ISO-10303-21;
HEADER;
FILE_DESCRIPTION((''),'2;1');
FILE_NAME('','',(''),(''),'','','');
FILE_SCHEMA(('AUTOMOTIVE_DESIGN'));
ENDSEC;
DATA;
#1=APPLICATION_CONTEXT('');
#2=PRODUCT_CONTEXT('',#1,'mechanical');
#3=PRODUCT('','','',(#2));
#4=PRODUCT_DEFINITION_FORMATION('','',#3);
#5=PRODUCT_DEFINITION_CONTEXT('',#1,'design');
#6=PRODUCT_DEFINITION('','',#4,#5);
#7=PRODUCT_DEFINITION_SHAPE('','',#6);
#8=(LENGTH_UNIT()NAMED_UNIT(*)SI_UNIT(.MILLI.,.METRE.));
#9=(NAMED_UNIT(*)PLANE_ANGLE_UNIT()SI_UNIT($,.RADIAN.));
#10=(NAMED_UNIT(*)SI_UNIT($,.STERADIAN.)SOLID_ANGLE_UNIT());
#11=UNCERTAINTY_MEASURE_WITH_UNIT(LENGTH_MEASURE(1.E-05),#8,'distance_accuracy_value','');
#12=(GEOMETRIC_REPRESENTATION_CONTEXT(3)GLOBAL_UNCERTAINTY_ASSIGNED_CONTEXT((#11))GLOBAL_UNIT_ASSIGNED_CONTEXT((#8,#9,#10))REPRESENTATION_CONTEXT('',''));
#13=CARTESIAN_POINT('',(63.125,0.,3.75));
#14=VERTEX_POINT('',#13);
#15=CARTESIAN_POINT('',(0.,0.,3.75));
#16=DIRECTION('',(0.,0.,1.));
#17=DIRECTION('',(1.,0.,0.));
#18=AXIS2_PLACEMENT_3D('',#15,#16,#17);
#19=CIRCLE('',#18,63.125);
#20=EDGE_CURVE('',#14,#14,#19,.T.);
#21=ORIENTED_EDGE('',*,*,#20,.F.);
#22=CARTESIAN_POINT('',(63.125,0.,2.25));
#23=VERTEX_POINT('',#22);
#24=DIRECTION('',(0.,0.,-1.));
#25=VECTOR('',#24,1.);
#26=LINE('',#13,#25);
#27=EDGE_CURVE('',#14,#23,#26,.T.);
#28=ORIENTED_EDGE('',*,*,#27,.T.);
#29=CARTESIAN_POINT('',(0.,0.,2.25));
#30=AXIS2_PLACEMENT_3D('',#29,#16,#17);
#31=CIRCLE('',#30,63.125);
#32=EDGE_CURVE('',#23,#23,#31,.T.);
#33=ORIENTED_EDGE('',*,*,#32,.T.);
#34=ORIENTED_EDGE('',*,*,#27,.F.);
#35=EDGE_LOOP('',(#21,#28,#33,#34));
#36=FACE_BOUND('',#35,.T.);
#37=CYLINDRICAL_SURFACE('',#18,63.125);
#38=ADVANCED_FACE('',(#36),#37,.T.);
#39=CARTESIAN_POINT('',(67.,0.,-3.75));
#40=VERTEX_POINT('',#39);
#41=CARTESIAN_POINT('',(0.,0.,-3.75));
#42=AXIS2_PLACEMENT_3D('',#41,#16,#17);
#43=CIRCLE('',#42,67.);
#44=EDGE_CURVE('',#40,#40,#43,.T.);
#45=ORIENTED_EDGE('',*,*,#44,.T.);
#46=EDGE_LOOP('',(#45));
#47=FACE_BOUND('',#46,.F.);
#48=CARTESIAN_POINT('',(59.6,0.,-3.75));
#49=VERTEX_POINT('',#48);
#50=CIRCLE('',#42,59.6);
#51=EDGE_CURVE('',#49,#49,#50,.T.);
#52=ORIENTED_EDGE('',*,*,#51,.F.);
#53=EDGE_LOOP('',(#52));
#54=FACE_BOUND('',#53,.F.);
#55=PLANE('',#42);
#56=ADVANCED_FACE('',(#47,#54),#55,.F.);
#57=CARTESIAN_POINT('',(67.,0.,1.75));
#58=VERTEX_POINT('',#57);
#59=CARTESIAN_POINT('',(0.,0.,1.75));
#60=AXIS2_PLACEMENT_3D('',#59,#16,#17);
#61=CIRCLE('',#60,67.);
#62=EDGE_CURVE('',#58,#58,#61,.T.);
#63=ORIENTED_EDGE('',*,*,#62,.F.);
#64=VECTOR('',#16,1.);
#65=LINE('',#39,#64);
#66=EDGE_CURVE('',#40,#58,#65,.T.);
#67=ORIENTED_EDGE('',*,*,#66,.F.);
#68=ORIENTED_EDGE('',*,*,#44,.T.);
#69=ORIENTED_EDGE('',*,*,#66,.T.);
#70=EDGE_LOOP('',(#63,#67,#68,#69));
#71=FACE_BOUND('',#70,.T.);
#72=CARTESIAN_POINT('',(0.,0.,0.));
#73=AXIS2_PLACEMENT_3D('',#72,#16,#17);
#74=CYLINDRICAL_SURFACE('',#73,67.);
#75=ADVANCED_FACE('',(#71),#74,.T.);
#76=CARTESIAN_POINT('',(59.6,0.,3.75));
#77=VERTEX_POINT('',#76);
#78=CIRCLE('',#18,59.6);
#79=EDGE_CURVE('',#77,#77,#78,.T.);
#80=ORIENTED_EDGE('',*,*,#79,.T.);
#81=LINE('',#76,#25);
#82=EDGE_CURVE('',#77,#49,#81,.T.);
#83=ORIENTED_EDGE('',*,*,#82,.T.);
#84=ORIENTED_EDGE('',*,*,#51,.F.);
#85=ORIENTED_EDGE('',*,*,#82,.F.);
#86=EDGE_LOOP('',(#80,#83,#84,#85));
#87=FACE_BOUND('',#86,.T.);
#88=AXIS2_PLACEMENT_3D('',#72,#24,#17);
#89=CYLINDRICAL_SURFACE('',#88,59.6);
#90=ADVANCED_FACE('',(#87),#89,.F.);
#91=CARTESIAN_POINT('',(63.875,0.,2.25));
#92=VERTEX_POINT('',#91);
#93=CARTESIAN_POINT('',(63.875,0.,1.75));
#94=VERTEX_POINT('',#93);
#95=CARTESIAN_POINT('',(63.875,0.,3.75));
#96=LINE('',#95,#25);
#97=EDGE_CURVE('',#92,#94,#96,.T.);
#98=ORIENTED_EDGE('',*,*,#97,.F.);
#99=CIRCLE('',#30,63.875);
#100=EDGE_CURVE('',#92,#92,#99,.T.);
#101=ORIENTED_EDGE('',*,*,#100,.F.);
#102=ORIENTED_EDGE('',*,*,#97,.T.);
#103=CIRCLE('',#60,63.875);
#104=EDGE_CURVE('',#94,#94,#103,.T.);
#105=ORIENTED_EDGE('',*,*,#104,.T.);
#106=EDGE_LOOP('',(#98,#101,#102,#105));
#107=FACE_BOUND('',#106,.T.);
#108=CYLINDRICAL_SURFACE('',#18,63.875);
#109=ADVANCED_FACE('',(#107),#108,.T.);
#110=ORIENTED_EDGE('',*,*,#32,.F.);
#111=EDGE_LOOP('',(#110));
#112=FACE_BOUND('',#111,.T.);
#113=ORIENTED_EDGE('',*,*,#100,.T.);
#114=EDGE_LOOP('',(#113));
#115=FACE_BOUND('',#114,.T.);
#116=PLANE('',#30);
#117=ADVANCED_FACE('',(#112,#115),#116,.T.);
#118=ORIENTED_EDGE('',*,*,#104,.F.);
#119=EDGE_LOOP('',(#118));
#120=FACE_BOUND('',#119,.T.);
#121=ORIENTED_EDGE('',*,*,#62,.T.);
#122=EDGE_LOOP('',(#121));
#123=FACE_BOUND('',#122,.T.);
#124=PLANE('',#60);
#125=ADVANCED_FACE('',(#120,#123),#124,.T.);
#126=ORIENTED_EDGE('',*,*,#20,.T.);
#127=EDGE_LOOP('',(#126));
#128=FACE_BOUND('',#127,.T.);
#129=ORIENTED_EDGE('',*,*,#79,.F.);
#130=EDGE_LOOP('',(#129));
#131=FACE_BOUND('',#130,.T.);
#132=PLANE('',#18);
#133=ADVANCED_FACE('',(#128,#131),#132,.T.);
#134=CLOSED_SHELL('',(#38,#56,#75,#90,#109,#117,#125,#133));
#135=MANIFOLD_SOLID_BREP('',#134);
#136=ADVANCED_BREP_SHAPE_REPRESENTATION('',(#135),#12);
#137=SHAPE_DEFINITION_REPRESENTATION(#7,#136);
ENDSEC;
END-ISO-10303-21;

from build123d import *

# Parameters (mm, degrees)
F0_R        = 67
F0_R_2      = 59.6
F1_DEPTH    = 3.75
F2_R        = 63.875
F2_R_2      = 63.125
F3_DEPTH    = 1.5
F3_FACE_R   = 67
F3_FACE_R_2 = 63.875
F4_DEPTH    = 2


with BuildPart() as f1:
    # F0 (on Top) → F1 (new body, symmetric)
    with BuildSketch(Plane.XY):
        Circle(F0_R)
        Circle(F0_R_2, mode=Mode.SUBTRACT)
    extrude(amount=F1_DEPTH, both=True)

    # F2 (on face) → F3 (cut)
    with BuildSketch(Plane.XY.offset(3.75)):
        Circle(F2_R)
        Circle(F2_R_2, mode=Mode.SUBTRACT)
    extrude(amount=-F3_DEPTH, mode=Mode.SUBTRACT)

    # F3_face (on face) → F4 (cut)
    with BuildSketch(Plane.XY.offset(3.75)):
        Circle(F3_FACE_R)
        Circle(F3_FACE_R_2, mode=Mode.SUBTRACT)
    extrude(amount=-F4_DEPTH, mode=Mode.SUBTRACT)


solid = f1.part
